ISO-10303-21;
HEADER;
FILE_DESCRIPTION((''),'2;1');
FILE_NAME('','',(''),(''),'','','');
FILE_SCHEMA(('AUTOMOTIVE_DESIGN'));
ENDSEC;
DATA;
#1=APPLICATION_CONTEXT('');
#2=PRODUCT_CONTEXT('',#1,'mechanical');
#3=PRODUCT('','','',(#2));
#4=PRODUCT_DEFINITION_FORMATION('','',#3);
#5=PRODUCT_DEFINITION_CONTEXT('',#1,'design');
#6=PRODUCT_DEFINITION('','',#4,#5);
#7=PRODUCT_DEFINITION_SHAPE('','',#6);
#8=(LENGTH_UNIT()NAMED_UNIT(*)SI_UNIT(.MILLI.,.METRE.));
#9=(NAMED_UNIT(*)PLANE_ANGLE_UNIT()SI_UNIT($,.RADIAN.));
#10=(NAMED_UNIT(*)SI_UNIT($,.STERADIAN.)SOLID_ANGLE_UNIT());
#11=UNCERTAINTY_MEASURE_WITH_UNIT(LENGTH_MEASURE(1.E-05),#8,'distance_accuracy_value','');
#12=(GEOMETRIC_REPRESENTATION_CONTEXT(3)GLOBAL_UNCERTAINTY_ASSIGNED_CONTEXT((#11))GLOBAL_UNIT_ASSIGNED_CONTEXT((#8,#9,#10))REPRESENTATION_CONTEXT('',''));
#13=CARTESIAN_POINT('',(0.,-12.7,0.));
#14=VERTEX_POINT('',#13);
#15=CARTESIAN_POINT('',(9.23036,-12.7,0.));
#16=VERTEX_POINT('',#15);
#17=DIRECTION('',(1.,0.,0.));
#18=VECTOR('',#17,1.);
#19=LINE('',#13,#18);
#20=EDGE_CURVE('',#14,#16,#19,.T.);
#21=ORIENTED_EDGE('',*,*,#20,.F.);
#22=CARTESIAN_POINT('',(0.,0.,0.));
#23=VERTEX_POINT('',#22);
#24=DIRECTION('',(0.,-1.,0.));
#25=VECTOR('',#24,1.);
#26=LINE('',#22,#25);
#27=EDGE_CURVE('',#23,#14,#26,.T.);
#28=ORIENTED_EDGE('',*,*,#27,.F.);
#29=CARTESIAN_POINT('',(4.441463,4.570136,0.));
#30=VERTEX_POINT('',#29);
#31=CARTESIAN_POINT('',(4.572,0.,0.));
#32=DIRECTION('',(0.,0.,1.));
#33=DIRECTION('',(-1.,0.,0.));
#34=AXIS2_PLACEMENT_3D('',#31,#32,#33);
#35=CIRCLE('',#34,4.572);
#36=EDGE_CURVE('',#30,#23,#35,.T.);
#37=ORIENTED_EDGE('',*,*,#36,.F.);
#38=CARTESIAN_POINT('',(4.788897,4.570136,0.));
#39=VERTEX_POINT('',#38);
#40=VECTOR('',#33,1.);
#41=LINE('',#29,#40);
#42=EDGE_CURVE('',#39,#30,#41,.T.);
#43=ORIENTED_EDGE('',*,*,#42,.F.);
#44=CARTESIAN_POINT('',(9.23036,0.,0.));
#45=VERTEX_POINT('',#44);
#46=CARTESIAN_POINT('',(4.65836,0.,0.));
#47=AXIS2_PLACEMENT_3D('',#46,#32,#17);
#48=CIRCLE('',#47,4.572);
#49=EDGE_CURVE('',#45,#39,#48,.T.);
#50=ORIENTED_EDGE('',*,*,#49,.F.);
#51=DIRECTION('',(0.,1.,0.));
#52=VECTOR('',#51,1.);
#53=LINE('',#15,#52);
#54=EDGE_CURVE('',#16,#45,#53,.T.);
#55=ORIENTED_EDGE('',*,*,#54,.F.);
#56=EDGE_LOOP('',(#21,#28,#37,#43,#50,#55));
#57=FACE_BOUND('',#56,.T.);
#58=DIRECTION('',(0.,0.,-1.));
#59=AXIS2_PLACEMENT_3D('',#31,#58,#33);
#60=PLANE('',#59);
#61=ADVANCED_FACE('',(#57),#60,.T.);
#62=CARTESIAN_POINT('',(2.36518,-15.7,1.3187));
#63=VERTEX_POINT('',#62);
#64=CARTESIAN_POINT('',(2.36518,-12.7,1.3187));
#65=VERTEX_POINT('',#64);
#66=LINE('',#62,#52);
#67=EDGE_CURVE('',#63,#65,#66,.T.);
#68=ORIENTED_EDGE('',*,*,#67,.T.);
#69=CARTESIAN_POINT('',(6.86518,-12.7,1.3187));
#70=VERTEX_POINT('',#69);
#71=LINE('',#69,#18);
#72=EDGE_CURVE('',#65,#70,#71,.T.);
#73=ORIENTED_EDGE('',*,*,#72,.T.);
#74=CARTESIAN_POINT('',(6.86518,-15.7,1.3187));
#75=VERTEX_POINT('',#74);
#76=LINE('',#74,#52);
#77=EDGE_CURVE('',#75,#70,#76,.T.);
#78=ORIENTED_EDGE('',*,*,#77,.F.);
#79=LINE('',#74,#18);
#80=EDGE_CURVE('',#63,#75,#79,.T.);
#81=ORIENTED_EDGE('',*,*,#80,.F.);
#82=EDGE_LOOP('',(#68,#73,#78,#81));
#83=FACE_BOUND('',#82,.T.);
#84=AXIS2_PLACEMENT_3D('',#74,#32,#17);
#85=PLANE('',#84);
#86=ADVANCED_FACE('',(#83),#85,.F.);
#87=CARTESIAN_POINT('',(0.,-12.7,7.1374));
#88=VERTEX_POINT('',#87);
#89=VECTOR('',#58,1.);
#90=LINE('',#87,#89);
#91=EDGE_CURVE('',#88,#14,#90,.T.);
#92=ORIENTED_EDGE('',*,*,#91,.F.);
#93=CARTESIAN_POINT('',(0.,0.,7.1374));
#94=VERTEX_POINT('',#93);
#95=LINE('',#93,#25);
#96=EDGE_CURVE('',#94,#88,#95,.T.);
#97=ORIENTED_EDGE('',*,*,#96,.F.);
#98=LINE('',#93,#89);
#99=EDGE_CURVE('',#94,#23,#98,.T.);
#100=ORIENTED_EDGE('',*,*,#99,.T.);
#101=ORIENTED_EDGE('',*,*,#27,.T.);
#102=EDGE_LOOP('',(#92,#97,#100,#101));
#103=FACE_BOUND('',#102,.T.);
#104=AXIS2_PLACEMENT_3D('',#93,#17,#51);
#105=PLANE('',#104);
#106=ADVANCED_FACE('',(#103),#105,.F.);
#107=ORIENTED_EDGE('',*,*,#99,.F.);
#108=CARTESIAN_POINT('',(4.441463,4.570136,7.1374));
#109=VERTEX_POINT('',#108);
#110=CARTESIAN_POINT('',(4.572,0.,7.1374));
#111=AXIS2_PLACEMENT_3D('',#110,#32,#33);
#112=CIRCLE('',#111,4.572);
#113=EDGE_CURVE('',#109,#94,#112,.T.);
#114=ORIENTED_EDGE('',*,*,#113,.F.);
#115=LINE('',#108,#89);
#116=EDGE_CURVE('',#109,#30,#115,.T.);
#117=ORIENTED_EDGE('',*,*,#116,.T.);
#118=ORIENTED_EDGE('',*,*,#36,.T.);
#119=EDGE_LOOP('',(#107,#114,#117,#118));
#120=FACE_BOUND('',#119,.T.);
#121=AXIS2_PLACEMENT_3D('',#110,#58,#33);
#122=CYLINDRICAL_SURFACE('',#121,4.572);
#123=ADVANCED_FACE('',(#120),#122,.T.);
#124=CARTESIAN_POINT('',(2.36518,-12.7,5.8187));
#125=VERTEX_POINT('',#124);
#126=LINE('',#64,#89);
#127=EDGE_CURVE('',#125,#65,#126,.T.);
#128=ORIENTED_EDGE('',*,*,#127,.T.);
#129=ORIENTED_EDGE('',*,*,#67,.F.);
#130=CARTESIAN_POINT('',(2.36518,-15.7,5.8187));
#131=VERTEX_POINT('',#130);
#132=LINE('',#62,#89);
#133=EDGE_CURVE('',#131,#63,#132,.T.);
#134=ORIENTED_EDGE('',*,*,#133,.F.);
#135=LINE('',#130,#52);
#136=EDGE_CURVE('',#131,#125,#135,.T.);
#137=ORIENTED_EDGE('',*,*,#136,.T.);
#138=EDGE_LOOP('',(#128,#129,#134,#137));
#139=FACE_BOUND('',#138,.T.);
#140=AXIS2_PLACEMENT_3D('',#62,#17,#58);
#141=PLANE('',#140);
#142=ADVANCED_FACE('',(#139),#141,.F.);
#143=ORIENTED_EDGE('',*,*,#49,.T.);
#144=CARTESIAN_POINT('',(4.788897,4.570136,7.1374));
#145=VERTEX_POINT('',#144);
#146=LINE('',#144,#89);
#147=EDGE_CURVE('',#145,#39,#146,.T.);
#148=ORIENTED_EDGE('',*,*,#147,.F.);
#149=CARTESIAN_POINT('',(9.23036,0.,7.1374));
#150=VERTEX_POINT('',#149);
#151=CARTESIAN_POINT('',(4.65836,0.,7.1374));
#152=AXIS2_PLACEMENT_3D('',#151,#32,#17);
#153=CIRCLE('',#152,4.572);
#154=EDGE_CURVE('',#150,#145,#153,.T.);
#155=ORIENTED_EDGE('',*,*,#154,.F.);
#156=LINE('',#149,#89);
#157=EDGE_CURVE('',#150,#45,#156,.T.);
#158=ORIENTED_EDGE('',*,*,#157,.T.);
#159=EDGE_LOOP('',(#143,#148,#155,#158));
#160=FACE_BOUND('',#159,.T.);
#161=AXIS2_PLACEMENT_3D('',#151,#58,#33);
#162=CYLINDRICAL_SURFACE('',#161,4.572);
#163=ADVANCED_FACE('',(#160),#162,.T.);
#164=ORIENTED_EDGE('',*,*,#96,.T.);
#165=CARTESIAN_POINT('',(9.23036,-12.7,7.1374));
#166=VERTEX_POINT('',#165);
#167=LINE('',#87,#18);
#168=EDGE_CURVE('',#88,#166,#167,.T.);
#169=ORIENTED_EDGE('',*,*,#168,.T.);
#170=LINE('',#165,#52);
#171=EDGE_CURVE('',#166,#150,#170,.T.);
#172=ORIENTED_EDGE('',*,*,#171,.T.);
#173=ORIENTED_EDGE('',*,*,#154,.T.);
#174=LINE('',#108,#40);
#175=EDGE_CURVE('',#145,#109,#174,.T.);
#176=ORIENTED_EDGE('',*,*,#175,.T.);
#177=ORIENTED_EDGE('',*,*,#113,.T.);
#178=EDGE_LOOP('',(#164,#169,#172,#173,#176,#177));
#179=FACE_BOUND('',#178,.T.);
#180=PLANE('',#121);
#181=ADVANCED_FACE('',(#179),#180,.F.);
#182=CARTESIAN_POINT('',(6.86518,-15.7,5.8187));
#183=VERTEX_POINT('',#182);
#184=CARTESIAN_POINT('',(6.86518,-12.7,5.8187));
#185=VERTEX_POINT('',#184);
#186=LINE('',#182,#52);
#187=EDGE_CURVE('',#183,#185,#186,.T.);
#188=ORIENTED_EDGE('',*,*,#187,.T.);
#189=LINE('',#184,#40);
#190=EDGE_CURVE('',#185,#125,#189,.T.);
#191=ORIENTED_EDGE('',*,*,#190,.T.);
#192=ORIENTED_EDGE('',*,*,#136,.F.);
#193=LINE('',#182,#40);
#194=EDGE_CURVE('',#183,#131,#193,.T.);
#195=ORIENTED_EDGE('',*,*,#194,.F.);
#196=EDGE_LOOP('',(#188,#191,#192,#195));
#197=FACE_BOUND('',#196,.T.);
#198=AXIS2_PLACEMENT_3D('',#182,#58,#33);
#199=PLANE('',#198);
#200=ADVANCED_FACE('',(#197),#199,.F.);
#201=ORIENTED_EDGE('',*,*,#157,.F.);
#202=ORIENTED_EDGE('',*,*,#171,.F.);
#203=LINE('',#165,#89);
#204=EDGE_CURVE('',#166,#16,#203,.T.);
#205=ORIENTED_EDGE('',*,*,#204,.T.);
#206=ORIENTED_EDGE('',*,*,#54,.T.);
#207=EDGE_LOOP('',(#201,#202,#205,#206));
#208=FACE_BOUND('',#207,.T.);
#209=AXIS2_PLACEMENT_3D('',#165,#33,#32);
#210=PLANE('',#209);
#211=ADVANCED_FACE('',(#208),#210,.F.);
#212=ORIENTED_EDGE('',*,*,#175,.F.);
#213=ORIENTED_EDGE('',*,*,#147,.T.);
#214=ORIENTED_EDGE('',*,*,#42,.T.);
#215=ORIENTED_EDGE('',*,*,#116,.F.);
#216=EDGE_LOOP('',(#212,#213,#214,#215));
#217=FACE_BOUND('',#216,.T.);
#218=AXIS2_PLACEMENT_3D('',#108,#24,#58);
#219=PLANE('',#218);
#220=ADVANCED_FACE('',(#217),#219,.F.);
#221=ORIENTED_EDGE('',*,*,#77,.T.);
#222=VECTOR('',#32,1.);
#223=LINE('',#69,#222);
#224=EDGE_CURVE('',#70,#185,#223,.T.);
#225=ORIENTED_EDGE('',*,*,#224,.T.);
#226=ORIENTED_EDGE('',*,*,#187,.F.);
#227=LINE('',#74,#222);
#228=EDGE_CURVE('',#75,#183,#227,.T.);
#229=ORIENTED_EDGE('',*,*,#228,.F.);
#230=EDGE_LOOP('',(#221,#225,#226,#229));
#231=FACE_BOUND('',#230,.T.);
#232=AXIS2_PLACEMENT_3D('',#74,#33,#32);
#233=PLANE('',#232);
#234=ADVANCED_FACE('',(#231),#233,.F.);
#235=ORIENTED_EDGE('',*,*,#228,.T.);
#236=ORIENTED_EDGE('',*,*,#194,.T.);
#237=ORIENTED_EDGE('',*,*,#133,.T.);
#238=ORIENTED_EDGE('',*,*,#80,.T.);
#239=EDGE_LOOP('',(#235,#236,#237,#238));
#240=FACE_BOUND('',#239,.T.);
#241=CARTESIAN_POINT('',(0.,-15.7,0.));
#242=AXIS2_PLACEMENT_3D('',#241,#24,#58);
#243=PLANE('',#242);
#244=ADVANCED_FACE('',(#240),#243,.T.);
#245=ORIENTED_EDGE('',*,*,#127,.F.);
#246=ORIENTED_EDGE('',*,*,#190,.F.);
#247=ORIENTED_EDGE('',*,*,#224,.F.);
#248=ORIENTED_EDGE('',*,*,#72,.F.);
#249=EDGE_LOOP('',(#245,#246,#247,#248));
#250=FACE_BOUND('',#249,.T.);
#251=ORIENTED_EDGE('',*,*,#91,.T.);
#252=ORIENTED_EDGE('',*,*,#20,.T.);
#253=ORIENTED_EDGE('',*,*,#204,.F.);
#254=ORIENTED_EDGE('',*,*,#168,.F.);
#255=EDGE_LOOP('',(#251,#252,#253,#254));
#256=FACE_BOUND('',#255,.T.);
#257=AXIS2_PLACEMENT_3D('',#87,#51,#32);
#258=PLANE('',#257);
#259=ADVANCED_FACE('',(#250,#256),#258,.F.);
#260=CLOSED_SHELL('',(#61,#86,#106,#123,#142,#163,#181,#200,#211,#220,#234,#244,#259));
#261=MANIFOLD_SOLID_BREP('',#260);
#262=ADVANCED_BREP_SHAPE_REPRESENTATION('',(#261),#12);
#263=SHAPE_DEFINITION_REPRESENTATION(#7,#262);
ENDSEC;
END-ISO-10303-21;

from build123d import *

# Parameters (mm, degrees)
BOSS_EXTRUDE1_DEPTH = 7.1374
SKETCH2_W           = 4.5
SKETCH2_H           = 4.5
BOSS_EXTRUDE2_DEPTH = 3


with BuildPart() as part:
    # Sketch1 → Boss-Extrude1 (new body)
    with BuildSketch(Plane.XY):
        with BuildLine():
            Line((0, 0), (0, -12.7))
            Line((0, -12.7), (9.23036, -12.7))
            Line((9.23036, -12.7), (9.23036, 0))
            ThreePointArc((9.23036, 0), (7.937079259, 3.18640613), (4.788897173, 4.570136108))
            Line((4.788897173, 4.570136108), (4.441462827, 4.570136108))
            ThreePointArc((4.441462827, 4.570136108), (1.293280741, 3.18640613), (0, 0))
        make_face()
    extrude(amount=BOSS_EXTRUDE1_DEPTH)

    # Sketch2 → Boss-Extrude2 (add)
    with BuildSketch(Plane.XZ.offset(12.7)):
        with Locations((4.61518, 3.5687)):
            Rectangle(SKETCH2_W, SKETCH2_H)
    extrude(amount=BOSS_EXTRUDE2_DEPTH)


solid = part.part
